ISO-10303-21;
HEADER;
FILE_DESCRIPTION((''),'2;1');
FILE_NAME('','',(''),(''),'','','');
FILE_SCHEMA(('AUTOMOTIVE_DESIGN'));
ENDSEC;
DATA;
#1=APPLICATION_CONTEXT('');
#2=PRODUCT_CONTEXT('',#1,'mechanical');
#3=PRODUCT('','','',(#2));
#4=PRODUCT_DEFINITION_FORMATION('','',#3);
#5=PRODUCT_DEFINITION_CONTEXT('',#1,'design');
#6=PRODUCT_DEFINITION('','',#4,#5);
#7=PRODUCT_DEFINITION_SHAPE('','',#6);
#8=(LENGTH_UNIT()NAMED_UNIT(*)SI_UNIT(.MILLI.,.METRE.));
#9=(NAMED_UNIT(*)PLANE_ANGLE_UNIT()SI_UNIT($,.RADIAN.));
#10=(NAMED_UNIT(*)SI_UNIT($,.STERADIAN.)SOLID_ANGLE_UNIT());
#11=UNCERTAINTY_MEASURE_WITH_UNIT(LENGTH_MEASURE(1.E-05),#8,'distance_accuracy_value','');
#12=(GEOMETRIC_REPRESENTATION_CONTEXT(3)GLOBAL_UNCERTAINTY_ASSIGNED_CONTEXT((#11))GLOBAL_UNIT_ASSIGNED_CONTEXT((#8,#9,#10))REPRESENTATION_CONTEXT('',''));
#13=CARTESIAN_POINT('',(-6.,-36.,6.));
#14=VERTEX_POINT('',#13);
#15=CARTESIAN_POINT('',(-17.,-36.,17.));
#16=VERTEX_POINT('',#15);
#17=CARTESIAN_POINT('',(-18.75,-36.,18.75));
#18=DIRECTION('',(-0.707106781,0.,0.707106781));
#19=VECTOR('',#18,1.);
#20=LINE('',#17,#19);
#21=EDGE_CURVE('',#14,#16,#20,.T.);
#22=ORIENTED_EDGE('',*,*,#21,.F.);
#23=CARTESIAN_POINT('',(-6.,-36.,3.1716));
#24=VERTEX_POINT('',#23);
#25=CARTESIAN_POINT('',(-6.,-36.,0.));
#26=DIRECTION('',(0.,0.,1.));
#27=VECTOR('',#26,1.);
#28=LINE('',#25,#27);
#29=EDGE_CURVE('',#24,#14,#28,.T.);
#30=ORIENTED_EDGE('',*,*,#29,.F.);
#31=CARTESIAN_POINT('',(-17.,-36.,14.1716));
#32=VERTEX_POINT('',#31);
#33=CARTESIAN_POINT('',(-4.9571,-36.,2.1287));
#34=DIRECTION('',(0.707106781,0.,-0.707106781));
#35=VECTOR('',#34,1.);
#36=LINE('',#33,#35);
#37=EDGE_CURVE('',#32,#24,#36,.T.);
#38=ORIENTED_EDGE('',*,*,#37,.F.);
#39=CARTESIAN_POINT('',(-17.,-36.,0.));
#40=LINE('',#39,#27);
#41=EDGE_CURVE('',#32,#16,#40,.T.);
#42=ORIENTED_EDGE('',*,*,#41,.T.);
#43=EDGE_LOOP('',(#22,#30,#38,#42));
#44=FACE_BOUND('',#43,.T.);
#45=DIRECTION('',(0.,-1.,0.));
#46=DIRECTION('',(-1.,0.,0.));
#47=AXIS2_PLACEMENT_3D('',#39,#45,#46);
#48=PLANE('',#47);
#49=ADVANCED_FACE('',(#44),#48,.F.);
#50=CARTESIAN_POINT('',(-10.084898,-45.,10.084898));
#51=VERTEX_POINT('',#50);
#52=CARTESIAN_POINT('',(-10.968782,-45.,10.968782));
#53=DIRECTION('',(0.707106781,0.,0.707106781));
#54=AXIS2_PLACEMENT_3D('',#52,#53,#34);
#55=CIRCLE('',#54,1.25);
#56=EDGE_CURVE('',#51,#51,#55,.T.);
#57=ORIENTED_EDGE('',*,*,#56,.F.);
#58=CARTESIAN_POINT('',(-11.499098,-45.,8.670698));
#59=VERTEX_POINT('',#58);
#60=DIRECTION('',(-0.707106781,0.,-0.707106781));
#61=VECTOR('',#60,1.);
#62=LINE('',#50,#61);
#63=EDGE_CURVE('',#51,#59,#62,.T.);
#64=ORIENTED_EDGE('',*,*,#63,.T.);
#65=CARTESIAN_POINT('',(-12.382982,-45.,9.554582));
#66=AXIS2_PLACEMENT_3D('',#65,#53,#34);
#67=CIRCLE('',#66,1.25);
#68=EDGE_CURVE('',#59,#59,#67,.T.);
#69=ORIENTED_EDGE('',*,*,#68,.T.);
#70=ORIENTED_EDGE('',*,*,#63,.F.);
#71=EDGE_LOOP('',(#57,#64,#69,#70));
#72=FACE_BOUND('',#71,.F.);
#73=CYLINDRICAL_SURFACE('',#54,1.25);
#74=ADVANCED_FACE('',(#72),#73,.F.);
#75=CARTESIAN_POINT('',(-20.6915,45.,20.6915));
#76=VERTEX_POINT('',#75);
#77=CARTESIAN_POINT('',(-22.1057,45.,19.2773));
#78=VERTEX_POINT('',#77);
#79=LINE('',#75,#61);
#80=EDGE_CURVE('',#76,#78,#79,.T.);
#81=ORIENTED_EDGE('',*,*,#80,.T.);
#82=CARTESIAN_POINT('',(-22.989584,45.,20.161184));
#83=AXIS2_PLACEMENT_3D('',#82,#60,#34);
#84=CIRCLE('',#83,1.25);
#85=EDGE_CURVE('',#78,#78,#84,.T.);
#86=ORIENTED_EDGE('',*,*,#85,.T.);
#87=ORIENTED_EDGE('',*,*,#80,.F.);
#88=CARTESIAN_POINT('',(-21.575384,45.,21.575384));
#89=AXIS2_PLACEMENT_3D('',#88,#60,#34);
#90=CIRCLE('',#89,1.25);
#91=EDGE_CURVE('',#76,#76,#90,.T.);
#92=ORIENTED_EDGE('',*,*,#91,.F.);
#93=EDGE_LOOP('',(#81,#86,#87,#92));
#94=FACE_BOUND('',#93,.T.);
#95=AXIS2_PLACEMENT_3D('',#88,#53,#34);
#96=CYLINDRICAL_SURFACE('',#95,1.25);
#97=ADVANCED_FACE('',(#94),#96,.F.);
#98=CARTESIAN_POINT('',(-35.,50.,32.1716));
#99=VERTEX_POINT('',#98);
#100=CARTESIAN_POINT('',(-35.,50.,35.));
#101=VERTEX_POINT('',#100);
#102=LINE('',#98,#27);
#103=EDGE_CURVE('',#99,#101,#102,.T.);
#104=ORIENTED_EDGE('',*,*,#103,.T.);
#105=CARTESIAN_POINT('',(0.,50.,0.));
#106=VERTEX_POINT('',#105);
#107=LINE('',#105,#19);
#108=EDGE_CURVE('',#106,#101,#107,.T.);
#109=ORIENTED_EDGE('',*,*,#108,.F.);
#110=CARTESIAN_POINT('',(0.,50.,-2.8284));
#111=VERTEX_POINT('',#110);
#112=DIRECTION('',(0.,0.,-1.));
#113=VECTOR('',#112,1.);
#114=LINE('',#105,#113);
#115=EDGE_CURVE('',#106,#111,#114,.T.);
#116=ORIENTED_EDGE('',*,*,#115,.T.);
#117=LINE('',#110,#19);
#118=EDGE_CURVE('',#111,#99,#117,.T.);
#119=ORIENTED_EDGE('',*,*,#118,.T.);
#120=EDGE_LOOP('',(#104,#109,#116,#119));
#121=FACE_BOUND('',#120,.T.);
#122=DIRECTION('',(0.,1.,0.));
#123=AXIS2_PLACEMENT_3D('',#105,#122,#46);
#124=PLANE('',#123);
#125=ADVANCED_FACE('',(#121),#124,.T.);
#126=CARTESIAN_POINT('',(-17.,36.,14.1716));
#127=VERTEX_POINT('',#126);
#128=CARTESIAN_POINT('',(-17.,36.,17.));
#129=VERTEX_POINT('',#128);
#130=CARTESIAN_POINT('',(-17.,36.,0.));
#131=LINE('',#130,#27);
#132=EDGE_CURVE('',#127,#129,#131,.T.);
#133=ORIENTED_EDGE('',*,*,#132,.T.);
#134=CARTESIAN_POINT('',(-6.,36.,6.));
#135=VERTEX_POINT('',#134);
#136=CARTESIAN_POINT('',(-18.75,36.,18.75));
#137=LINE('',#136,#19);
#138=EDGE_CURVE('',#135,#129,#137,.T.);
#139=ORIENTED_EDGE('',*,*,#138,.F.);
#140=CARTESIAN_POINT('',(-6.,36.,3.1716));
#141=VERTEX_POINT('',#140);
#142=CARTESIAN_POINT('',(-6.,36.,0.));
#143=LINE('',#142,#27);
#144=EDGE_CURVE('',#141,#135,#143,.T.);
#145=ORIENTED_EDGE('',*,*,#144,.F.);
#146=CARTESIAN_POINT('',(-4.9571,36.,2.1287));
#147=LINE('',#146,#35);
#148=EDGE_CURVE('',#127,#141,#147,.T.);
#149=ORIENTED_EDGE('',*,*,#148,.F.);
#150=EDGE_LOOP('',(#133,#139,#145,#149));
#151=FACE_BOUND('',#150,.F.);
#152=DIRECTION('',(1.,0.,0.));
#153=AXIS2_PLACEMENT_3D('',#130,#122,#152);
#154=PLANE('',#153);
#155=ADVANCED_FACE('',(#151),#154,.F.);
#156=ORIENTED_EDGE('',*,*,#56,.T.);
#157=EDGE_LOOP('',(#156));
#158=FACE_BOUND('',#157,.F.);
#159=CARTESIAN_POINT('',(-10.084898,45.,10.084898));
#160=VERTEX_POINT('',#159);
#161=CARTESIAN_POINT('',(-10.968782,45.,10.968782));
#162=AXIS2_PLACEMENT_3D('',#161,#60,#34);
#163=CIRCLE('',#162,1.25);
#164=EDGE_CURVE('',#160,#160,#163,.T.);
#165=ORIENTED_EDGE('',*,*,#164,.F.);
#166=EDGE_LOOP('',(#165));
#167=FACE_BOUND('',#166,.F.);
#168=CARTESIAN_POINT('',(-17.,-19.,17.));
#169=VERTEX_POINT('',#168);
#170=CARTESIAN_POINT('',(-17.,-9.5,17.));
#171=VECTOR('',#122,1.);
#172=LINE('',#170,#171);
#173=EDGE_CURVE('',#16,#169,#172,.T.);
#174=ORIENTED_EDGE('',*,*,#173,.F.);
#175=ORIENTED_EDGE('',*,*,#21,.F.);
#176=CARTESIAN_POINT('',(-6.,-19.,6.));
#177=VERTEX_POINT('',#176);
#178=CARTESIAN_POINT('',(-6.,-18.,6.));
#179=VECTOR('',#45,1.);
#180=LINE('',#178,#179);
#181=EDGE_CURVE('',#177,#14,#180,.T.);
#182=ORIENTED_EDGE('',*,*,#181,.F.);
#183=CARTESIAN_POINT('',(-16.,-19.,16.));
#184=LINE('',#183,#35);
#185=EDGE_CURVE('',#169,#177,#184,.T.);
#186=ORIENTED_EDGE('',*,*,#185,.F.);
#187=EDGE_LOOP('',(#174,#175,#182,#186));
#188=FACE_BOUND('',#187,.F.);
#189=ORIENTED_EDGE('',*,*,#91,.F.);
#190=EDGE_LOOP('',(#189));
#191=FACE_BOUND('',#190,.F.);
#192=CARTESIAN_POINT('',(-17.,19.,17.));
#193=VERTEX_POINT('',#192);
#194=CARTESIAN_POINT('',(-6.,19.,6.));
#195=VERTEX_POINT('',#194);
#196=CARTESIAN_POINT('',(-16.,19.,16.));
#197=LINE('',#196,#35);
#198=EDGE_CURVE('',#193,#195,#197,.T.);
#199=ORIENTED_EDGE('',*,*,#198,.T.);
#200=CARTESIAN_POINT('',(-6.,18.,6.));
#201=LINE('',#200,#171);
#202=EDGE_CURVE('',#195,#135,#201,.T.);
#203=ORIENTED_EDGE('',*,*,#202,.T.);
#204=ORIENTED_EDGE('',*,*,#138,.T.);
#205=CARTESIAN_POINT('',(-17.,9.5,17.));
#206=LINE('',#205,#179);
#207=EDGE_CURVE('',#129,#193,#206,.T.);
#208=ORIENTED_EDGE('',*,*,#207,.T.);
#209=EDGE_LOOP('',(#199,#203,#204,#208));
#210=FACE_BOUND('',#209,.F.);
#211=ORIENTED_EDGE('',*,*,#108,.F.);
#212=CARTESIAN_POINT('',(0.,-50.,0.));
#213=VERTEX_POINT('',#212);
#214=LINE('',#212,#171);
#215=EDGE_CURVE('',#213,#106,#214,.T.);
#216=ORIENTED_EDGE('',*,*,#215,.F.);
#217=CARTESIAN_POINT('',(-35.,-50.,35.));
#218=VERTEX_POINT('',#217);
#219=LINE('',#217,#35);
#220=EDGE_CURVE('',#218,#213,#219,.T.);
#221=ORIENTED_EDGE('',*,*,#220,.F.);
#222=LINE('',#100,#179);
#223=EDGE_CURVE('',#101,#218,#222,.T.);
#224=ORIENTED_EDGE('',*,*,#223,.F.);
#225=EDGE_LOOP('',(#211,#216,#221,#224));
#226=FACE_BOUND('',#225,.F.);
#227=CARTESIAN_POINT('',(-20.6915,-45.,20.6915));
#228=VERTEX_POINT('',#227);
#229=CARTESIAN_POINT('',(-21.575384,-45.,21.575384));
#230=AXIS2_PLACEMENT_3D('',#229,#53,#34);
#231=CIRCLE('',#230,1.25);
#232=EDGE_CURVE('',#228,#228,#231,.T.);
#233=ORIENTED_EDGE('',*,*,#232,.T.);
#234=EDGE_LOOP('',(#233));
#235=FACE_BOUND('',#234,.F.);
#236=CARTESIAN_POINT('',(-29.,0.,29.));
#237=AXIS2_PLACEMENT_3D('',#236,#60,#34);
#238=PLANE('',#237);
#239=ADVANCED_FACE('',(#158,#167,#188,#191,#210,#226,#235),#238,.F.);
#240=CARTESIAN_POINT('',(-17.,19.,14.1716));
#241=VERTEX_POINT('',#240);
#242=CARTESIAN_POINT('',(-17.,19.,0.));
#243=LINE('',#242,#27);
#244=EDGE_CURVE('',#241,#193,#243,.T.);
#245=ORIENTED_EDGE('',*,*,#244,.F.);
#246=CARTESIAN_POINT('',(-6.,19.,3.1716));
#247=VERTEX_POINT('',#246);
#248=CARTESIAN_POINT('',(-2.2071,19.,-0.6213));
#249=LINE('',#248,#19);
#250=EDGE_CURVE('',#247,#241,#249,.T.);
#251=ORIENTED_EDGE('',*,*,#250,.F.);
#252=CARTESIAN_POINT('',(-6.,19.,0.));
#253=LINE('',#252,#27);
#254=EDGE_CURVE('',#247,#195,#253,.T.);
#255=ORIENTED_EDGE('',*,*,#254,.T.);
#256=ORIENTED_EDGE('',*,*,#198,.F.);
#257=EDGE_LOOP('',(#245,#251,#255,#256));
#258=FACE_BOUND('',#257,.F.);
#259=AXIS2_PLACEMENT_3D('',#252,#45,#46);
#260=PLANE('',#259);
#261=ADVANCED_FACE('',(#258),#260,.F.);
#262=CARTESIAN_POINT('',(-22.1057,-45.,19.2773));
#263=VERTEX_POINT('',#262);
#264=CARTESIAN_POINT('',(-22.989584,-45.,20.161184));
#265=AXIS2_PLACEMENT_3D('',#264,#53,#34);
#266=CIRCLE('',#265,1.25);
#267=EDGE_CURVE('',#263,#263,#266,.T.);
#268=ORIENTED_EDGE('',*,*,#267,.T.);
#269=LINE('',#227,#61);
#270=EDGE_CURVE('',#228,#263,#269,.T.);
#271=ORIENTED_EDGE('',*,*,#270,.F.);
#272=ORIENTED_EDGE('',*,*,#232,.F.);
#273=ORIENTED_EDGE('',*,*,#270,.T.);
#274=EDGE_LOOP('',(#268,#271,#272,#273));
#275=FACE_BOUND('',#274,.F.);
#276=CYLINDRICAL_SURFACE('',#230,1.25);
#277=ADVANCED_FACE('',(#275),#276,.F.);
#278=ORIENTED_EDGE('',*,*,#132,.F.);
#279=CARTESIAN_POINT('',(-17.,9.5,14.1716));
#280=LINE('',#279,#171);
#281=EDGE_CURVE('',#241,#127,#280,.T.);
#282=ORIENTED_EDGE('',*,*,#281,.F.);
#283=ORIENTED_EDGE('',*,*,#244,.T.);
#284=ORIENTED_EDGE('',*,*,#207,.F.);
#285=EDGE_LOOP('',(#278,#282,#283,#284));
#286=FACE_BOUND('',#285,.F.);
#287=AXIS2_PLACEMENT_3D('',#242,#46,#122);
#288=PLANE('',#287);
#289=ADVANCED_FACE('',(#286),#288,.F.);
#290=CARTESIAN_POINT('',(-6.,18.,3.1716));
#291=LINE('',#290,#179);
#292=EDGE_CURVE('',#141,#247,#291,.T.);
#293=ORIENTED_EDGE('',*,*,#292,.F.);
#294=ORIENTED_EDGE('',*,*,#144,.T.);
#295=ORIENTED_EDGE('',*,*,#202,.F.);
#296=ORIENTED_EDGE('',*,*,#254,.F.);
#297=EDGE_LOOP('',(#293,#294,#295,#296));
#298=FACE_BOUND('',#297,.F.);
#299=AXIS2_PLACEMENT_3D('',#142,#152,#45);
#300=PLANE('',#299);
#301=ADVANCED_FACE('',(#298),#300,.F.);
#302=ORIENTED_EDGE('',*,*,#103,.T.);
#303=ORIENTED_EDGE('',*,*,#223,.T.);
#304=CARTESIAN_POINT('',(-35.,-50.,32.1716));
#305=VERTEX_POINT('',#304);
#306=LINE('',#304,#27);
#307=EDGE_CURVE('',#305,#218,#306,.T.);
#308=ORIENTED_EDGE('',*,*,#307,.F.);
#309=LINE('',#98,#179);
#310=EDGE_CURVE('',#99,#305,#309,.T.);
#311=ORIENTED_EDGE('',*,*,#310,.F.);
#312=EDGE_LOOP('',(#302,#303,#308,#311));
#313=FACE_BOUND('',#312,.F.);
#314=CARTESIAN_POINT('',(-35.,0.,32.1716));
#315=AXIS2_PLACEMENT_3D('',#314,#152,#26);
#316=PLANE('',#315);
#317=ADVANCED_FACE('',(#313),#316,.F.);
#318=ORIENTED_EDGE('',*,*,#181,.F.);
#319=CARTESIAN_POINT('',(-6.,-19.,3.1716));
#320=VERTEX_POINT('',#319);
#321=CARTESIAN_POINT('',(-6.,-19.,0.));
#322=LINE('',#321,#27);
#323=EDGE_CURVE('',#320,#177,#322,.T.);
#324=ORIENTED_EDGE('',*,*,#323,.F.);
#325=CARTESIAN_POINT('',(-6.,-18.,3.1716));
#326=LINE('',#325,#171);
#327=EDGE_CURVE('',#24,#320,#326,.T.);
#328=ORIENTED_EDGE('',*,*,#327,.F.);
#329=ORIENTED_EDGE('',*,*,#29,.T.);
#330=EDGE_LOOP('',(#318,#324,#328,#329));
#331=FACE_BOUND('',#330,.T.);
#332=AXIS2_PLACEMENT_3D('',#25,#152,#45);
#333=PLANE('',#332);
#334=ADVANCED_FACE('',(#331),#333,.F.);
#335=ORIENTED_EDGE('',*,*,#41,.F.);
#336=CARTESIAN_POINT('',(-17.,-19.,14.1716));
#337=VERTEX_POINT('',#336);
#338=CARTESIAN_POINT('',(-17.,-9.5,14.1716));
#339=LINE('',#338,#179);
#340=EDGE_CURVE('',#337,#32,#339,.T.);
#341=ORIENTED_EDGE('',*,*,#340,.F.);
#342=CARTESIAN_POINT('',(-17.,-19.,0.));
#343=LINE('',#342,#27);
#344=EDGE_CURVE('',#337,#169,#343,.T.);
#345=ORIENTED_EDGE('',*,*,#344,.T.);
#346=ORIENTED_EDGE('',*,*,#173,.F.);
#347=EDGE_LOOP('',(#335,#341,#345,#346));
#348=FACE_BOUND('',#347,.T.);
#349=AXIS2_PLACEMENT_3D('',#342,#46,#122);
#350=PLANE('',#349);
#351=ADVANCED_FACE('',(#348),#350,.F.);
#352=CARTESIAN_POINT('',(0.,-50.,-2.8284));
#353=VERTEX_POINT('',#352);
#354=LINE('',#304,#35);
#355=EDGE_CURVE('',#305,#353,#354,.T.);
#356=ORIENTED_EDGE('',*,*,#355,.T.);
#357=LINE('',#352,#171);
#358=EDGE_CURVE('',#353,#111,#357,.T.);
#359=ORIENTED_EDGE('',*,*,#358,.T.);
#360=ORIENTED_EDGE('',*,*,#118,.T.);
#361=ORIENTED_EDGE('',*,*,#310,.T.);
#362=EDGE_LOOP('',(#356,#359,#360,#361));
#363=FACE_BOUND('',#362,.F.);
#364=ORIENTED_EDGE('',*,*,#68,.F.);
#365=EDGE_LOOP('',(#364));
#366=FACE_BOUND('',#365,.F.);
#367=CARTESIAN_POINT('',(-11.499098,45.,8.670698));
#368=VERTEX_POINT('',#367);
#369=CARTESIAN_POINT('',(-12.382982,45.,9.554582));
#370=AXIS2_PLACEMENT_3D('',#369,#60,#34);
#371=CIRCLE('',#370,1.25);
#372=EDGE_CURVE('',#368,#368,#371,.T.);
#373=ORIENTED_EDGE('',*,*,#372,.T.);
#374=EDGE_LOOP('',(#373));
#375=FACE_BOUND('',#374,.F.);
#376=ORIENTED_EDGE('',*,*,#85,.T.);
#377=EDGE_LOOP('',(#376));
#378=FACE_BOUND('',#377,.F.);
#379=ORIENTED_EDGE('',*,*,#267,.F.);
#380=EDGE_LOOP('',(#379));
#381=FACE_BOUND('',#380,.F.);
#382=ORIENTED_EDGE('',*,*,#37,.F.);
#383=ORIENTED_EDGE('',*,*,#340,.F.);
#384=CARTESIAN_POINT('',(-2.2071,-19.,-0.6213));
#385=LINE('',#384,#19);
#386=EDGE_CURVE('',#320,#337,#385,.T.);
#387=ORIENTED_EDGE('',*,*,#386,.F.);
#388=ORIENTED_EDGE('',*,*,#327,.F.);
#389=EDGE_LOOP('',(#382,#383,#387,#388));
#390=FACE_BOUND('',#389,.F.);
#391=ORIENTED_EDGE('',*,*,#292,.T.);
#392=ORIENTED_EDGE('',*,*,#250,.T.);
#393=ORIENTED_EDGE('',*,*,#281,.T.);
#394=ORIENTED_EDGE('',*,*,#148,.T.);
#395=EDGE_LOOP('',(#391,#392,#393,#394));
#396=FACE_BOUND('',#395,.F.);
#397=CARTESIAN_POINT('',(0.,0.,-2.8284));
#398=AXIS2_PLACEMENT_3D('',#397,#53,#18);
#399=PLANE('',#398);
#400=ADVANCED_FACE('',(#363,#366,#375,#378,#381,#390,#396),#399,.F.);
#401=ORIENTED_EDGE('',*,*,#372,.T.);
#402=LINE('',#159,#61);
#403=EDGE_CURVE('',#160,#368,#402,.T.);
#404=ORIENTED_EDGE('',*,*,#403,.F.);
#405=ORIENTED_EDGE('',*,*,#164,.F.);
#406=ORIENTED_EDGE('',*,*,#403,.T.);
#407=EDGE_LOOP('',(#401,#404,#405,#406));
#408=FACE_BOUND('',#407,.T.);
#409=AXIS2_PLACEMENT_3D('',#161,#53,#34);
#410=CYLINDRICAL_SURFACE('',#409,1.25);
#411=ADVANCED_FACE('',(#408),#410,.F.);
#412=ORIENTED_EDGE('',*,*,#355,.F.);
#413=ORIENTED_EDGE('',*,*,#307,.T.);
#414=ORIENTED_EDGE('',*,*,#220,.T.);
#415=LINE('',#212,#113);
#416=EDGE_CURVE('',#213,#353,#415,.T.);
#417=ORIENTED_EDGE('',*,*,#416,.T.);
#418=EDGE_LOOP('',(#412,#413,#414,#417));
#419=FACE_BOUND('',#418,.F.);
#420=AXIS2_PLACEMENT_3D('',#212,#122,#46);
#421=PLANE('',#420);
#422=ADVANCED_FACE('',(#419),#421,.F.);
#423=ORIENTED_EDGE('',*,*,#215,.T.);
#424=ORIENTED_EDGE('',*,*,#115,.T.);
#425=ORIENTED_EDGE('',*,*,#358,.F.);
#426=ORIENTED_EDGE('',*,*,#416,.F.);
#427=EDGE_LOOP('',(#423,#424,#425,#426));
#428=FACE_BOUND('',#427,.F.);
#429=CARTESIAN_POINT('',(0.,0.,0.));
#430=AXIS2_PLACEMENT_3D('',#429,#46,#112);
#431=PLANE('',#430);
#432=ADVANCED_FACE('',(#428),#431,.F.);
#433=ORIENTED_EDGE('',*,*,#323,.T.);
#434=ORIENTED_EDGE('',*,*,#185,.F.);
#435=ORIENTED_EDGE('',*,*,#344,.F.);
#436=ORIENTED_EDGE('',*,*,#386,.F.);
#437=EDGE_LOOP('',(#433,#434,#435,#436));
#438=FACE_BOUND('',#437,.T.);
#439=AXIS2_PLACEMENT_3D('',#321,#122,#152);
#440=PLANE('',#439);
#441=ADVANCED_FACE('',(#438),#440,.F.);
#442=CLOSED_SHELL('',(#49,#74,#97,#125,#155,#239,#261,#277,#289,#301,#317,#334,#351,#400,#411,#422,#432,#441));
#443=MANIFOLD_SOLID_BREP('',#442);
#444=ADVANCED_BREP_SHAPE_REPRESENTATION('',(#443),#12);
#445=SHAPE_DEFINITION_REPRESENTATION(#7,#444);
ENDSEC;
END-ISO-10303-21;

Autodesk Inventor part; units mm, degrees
ref_plane "YZ Plane" through (0, 0, 0) normal (1, 0, 0) x (0, 1, 0)
ref_plane "XZ Plane" through (0, 0, 0) normal (0, 1, 0) x (-1, 0, 0)
ref_plane "XY Plane" through (0, 0, 0) normal (0, 0, 1) x (1, 0, 0)
sketch "Sketch1" plane through (0, 0, 0) normal (0, 1, 0) x (-1, 0, 0)
  line L0 (0, 0) -> (0, -2.8284)
  line L1 (0, -2.8284) -> (29, 26.1716)
  line L2 (29, 26.1716) -> (29, 29)
  line L3 (29, 29) -> (0, 0)
  line L4 (29, 26.1716) -> (35, 32.1716)
  line L5 (35, 32.1716) -> (35, 35)
  line L6 (35, 35) -> (29, 29)
  dimension "d2" = 29
  dimension "d3" = 45
  dimension "d6" = 2
  dimension "d23" = 6
  dimension "d24" = 45
  dimension "d25" = 45
extrude "Extrusion1" add sketch "Sketch1" along normal mid plane 100 contours L3 L2 L1 L0
sketch "Sketch2" plane through (0, 0, 0) normal (0, 0, 1) x (1, 0, 0)
  line L0 (-17, 36) -> (-6, 36)
  line L1 (-6, 36) -> (-6, 19)
  line L2 (-6, 19) -> (-17, 19)
  line L3 (-17, 19) -> (-17, 36)
  line L4 (0, 50) -> (-29, 50) projected
  line L5 (0, -50) -> (0, 50) projected
  point P0 (0, 0)
  dimension "d7" = 14
  dimension "d8" = 17
  dimension "d9" = 11
  dimension "d11" = 6
extrude "Extrusion2" cut sketch "Sketch2" along normal up to next
mirror "Mirror1" about plane through (0, 0, 0) normal (0, 1, 0) of "Extrusion2"
sketch "Sketch3" plane through (0, -50, 0) normal (0.7071, 0, 0.7071) x (0.7071, 0, -0.7071)
  circle A0 centre (-30.5122, 5) radius 1.25
  circle A1 centre (-15.5122, 5) radius 1.25
  line L0 (-39.0122, 0) -> (-39.0122, 100) projected
  line L1 (-41.0122, 0) -> (-41.0122, 100) projected
  line L2 (0, 0) -> (-41.0122, 0) projected
  point P0 (0, 50)
  dimension "d15" = 5
  dimension "d16" = 2.5
  dimension "d17" = 15
  dimension "d18" = 2.5
  dimension "d19" = 5
  dimension "d20" = 10.5
extrude "Extrusion3" cut sketch "Sketch3" against normal up to next
mirror "Mirror2" about plane through (0, 0, 0) normal (0, 1, 0) of "Extrusion3"
extrude "Extrusion4" add sketch "Sketch1" along normal mid plane 100 contours L6 L5 L4 L2
properties part number "Front_Dluzszy_2"
